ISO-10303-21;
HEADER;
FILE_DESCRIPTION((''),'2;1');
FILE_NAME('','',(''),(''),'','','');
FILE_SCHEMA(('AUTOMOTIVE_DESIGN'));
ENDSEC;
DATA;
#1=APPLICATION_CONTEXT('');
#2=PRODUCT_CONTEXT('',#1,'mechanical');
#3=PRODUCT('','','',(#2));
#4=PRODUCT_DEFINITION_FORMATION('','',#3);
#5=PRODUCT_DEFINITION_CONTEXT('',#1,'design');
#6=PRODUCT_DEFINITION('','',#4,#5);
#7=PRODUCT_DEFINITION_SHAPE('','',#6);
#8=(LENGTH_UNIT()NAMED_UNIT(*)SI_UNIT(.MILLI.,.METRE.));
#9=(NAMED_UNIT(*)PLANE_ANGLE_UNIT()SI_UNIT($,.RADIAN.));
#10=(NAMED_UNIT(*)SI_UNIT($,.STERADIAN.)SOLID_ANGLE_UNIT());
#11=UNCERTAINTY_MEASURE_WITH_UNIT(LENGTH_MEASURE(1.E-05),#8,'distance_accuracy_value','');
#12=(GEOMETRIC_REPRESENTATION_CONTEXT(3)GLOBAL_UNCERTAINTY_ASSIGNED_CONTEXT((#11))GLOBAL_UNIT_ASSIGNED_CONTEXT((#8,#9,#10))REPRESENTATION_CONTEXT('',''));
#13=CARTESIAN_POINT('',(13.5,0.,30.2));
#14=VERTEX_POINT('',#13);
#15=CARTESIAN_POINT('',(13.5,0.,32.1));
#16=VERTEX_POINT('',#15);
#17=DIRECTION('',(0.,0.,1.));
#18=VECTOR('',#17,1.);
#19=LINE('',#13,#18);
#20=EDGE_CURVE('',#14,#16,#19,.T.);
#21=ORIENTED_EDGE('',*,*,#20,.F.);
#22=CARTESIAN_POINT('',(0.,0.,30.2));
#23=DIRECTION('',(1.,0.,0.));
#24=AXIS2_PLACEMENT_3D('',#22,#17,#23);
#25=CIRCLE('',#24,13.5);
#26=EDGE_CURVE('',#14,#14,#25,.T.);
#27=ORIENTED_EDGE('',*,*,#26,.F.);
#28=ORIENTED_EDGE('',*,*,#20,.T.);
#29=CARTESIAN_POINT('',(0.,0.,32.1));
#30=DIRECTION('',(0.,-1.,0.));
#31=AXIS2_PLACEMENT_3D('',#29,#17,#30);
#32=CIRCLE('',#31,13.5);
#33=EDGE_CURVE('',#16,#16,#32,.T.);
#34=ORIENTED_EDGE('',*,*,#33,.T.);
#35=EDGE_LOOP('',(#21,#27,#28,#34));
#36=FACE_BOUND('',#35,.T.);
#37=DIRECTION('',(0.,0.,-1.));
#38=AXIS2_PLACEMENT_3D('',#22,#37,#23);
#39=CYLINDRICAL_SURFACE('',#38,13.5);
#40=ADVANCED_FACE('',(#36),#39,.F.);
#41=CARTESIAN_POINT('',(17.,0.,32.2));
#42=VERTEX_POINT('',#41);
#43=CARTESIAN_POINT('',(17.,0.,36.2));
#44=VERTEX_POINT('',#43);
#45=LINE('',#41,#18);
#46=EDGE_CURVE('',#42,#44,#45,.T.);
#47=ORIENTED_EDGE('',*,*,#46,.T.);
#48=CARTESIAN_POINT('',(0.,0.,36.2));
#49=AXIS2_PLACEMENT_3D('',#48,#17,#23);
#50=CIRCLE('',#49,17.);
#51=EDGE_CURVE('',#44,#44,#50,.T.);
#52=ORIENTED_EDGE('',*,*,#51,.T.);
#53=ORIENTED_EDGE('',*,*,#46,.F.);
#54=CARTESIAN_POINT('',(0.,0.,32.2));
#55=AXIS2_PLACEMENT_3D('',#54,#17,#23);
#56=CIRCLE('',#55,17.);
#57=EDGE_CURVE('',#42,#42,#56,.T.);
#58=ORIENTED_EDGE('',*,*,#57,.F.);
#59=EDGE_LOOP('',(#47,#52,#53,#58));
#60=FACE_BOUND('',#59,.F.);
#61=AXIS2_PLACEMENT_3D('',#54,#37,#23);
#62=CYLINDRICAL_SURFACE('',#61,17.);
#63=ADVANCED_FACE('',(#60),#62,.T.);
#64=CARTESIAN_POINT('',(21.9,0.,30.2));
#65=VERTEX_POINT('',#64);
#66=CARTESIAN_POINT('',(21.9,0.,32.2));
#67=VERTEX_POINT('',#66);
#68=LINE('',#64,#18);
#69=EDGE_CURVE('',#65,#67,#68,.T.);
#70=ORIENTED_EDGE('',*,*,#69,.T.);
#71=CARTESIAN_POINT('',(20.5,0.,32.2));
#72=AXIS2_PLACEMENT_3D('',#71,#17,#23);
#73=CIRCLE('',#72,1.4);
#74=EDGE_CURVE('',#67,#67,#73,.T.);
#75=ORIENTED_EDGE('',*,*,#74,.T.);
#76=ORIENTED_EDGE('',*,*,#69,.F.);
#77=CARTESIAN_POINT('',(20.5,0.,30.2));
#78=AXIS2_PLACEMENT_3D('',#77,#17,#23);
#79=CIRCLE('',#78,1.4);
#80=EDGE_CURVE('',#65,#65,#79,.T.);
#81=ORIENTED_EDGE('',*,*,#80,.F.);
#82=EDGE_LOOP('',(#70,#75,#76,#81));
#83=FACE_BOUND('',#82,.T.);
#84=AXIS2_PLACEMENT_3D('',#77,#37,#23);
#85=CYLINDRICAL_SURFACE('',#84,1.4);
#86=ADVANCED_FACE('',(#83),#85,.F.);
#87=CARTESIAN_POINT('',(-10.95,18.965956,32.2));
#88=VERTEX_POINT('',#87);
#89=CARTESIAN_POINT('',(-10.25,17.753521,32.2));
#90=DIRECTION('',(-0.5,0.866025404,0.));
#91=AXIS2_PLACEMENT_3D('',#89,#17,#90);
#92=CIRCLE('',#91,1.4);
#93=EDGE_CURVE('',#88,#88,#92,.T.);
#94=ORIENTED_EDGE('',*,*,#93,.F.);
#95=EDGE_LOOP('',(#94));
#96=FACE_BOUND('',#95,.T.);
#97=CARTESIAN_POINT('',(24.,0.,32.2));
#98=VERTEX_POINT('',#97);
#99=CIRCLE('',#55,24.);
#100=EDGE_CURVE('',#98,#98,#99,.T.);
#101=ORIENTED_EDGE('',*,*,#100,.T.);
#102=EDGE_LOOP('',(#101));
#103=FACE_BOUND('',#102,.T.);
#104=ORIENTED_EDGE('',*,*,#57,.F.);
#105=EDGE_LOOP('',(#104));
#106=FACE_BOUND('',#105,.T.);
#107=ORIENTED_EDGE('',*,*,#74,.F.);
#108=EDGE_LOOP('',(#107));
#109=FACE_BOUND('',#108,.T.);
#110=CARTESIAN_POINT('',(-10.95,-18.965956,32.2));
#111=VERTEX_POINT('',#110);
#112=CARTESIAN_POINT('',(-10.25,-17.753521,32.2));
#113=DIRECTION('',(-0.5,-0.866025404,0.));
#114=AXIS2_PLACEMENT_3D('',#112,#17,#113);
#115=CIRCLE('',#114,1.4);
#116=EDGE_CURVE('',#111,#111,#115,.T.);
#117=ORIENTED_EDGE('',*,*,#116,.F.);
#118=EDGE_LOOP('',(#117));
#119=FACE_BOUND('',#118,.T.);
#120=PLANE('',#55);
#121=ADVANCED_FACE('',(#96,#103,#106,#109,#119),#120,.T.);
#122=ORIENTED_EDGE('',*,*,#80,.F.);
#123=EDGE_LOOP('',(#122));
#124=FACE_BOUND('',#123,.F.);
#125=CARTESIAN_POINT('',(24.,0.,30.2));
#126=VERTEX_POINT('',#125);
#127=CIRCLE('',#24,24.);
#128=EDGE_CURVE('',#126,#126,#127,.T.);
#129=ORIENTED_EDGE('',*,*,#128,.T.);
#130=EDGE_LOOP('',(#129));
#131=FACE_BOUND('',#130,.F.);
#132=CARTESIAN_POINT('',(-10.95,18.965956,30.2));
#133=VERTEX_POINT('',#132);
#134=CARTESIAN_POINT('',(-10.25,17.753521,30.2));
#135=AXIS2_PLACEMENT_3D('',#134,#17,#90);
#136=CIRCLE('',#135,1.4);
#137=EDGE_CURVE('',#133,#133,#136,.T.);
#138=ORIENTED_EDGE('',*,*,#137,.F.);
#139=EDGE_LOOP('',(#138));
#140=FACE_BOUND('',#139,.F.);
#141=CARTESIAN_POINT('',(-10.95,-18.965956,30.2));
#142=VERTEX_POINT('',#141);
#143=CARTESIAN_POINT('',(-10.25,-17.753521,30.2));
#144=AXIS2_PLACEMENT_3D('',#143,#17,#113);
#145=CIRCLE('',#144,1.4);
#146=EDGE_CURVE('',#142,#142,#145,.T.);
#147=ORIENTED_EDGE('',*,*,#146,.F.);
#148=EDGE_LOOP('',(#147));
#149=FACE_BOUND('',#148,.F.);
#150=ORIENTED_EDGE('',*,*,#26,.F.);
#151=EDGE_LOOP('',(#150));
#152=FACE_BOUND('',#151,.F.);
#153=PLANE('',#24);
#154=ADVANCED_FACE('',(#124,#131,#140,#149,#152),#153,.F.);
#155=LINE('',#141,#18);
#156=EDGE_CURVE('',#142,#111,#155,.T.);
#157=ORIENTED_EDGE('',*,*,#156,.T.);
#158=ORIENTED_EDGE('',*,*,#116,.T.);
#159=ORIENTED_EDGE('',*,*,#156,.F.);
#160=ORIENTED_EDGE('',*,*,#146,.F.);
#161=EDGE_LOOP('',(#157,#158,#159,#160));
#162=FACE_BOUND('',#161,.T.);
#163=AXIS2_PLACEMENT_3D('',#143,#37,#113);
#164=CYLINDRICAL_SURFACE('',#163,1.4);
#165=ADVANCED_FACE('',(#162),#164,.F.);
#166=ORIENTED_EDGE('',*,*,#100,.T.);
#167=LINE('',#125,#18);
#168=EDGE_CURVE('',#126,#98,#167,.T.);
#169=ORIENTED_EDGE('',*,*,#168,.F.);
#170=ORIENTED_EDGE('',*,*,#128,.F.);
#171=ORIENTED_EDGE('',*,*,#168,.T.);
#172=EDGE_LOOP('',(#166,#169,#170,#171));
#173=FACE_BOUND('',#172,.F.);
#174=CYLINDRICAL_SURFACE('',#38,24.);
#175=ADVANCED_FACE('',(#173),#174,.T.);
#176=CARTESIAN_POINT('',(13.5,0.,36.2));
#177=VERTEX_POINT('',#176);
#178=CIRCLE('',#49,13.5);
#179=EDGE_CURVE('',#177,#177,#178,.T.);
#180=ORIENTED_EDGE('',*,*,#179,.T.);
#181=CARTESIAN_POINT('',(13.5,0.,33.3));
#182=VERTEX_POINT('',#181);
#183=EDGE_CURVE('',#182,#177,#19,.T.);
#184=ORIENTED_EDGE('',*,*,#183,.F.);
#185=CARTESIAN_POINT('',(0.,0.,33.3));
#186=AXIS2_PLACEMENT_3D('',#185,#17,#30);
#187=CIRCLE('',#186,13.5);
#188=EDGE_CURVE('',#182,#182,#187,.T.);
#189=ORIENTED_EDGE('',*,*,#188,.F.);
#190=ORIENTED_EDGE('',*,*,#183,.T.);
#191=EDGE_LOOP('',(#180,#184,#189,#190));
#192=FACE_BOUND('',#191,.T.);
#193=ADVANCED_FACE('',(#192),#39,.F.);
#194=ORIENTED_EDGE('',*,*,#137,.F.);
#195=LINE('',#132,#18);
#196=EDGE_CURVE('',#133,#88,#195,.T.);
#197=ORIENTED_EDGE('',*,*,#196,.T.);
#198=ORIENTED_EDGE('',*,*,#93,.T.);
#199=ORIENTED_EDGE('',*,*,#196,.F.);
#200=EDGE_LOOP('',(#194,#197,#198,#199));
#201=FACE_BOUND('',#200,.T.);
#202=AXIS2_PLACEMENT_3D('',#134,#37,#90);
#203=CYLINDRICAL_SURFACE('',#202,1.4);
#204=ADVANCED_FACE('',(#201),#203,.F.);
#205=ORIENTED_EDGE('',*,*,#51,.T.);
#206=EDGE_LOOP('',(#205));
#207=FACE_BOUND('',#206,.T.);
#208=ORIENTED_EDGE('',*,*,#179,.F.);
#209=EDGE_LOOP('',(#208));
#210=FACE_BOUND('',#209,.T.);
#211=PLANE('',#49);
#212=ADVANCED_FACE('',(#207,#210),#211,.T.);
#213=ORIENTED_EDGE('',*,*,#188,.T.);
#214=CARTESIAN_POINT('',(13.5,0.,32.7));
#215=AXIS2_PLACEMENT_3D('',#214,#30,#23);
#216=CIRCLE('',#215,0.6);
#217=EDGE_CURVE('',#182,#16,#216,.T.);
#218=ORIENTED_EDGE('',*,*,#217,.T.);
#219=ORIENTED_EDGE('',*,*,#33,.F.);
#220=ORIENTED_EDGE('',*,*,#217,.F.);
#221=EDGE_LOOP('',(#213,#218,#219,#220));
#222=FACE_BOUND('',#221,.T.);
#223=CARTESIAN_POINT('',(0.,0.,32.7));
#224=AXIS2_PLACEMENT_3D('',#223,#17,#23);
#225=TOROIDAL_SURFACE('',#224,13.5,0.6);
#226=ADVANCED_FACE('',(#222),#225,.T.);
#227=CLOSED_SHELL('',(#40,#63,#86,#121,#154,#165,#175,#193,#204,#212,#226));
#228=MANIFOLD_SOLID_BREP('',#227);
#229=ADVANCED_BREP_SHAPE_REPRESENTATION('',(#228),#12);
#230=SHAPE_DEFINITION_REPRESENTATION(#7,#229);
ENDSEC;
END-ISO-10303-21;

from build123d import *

# Parameters (mm, degrees)
TORUS004_R        = 0.6
CYLINDER068_R     = 1.4
CYLINDER068_DEPTH = 2
ARRAY014_COUNT    = 3
CYLINDER067_R     = 13.5
CYLINDER067_DEPTH = 6
CYLINDER066_R     = 24
CYLINDER066_DEPTH = 2
CYLINDER065_R     = 17
CYLINDER065_DEPTH = 4


with BuildPart() as pot_rim_clip:
    # Torus004 → Torus004 (revolve)
    with BuildSketch(Plane(origin=(0, 0, 2.5), x_dir=(1, 0, 0), z_dir=(0, -1, 0))):
        with Locations((13.5, 0)):
            Circle(TORUS004_R)
    revolve(axis=Axis((0, 0, 2.5), (0, 0, 1)))


with BuildPart() as screw_holes001:
    # Cylinder068 → Cylinder068 (new body)
    with BuildSketch(Plane(origin=(20.5, 0, 0), x_dir=(1, 0, 0), z_dir=(0, 0, 1))):
        Circle(CYLINDER068_R)
    extrude(amount=CYLINDER068_DEPTH)

    # Array014: screw-holes001 ×3 about axis
    array014_axis = Axis((0, 0, 0), (0, 0, 1))


with BuildPart() as screw_holes001_1:
    add(screw_holes001.part)
    for i in range(1, ARRAY014_COUNT):
        add(screw_holes001.part.rotate(array014_axis, i * 360 / ARRAY014_COUNT))


with BuildPart() as pot_thread_hole001:
    # Cylinder067 → Cylinder067 (new body)
    with BuildSketch(Plane.XY):
        Circle(CYLINDER067_R)
    extrude(amount=CYLINDER067_DEPTH)


with BuildPart() as brim001:
    # Cylinder066 → Cylinder066 (new body)
    with BuildSketch(Plane.XY):
        Circle(CYLINDER066_R)
    extrude(amount=CYLINDER066_DEPTH)


with BuildPart() as pot_mount002:
    # Cylinder065 → Cylinder065 (new body)
    with BuildSketch(Plane.XY.offset(2)):
        Circle(CYLINDER065_R)
    extrude(amount=CYLINDER065_DEPTH)

    # Fusion028: union brim001
    add(brim001.part)

    # Cut049: cut pot-thread-hole001
    add(pot_thread_hole001.part, mode=Mode.SUBTRACT)

    # Cut053: cut screw-holes001
    add(screw_holes001_1.part, mode=Mode.SUBTRACT)

    # Fusion029: union pot-rim-clip
    add(pot_rim_clip.part)


with BuildPart() as pot_mount002_1:
    # Fusion029 placement: moved
    add(pot_mount002.part.moved(Location((0, 0, 30.2))))


solid = pot_mount002_1.part
